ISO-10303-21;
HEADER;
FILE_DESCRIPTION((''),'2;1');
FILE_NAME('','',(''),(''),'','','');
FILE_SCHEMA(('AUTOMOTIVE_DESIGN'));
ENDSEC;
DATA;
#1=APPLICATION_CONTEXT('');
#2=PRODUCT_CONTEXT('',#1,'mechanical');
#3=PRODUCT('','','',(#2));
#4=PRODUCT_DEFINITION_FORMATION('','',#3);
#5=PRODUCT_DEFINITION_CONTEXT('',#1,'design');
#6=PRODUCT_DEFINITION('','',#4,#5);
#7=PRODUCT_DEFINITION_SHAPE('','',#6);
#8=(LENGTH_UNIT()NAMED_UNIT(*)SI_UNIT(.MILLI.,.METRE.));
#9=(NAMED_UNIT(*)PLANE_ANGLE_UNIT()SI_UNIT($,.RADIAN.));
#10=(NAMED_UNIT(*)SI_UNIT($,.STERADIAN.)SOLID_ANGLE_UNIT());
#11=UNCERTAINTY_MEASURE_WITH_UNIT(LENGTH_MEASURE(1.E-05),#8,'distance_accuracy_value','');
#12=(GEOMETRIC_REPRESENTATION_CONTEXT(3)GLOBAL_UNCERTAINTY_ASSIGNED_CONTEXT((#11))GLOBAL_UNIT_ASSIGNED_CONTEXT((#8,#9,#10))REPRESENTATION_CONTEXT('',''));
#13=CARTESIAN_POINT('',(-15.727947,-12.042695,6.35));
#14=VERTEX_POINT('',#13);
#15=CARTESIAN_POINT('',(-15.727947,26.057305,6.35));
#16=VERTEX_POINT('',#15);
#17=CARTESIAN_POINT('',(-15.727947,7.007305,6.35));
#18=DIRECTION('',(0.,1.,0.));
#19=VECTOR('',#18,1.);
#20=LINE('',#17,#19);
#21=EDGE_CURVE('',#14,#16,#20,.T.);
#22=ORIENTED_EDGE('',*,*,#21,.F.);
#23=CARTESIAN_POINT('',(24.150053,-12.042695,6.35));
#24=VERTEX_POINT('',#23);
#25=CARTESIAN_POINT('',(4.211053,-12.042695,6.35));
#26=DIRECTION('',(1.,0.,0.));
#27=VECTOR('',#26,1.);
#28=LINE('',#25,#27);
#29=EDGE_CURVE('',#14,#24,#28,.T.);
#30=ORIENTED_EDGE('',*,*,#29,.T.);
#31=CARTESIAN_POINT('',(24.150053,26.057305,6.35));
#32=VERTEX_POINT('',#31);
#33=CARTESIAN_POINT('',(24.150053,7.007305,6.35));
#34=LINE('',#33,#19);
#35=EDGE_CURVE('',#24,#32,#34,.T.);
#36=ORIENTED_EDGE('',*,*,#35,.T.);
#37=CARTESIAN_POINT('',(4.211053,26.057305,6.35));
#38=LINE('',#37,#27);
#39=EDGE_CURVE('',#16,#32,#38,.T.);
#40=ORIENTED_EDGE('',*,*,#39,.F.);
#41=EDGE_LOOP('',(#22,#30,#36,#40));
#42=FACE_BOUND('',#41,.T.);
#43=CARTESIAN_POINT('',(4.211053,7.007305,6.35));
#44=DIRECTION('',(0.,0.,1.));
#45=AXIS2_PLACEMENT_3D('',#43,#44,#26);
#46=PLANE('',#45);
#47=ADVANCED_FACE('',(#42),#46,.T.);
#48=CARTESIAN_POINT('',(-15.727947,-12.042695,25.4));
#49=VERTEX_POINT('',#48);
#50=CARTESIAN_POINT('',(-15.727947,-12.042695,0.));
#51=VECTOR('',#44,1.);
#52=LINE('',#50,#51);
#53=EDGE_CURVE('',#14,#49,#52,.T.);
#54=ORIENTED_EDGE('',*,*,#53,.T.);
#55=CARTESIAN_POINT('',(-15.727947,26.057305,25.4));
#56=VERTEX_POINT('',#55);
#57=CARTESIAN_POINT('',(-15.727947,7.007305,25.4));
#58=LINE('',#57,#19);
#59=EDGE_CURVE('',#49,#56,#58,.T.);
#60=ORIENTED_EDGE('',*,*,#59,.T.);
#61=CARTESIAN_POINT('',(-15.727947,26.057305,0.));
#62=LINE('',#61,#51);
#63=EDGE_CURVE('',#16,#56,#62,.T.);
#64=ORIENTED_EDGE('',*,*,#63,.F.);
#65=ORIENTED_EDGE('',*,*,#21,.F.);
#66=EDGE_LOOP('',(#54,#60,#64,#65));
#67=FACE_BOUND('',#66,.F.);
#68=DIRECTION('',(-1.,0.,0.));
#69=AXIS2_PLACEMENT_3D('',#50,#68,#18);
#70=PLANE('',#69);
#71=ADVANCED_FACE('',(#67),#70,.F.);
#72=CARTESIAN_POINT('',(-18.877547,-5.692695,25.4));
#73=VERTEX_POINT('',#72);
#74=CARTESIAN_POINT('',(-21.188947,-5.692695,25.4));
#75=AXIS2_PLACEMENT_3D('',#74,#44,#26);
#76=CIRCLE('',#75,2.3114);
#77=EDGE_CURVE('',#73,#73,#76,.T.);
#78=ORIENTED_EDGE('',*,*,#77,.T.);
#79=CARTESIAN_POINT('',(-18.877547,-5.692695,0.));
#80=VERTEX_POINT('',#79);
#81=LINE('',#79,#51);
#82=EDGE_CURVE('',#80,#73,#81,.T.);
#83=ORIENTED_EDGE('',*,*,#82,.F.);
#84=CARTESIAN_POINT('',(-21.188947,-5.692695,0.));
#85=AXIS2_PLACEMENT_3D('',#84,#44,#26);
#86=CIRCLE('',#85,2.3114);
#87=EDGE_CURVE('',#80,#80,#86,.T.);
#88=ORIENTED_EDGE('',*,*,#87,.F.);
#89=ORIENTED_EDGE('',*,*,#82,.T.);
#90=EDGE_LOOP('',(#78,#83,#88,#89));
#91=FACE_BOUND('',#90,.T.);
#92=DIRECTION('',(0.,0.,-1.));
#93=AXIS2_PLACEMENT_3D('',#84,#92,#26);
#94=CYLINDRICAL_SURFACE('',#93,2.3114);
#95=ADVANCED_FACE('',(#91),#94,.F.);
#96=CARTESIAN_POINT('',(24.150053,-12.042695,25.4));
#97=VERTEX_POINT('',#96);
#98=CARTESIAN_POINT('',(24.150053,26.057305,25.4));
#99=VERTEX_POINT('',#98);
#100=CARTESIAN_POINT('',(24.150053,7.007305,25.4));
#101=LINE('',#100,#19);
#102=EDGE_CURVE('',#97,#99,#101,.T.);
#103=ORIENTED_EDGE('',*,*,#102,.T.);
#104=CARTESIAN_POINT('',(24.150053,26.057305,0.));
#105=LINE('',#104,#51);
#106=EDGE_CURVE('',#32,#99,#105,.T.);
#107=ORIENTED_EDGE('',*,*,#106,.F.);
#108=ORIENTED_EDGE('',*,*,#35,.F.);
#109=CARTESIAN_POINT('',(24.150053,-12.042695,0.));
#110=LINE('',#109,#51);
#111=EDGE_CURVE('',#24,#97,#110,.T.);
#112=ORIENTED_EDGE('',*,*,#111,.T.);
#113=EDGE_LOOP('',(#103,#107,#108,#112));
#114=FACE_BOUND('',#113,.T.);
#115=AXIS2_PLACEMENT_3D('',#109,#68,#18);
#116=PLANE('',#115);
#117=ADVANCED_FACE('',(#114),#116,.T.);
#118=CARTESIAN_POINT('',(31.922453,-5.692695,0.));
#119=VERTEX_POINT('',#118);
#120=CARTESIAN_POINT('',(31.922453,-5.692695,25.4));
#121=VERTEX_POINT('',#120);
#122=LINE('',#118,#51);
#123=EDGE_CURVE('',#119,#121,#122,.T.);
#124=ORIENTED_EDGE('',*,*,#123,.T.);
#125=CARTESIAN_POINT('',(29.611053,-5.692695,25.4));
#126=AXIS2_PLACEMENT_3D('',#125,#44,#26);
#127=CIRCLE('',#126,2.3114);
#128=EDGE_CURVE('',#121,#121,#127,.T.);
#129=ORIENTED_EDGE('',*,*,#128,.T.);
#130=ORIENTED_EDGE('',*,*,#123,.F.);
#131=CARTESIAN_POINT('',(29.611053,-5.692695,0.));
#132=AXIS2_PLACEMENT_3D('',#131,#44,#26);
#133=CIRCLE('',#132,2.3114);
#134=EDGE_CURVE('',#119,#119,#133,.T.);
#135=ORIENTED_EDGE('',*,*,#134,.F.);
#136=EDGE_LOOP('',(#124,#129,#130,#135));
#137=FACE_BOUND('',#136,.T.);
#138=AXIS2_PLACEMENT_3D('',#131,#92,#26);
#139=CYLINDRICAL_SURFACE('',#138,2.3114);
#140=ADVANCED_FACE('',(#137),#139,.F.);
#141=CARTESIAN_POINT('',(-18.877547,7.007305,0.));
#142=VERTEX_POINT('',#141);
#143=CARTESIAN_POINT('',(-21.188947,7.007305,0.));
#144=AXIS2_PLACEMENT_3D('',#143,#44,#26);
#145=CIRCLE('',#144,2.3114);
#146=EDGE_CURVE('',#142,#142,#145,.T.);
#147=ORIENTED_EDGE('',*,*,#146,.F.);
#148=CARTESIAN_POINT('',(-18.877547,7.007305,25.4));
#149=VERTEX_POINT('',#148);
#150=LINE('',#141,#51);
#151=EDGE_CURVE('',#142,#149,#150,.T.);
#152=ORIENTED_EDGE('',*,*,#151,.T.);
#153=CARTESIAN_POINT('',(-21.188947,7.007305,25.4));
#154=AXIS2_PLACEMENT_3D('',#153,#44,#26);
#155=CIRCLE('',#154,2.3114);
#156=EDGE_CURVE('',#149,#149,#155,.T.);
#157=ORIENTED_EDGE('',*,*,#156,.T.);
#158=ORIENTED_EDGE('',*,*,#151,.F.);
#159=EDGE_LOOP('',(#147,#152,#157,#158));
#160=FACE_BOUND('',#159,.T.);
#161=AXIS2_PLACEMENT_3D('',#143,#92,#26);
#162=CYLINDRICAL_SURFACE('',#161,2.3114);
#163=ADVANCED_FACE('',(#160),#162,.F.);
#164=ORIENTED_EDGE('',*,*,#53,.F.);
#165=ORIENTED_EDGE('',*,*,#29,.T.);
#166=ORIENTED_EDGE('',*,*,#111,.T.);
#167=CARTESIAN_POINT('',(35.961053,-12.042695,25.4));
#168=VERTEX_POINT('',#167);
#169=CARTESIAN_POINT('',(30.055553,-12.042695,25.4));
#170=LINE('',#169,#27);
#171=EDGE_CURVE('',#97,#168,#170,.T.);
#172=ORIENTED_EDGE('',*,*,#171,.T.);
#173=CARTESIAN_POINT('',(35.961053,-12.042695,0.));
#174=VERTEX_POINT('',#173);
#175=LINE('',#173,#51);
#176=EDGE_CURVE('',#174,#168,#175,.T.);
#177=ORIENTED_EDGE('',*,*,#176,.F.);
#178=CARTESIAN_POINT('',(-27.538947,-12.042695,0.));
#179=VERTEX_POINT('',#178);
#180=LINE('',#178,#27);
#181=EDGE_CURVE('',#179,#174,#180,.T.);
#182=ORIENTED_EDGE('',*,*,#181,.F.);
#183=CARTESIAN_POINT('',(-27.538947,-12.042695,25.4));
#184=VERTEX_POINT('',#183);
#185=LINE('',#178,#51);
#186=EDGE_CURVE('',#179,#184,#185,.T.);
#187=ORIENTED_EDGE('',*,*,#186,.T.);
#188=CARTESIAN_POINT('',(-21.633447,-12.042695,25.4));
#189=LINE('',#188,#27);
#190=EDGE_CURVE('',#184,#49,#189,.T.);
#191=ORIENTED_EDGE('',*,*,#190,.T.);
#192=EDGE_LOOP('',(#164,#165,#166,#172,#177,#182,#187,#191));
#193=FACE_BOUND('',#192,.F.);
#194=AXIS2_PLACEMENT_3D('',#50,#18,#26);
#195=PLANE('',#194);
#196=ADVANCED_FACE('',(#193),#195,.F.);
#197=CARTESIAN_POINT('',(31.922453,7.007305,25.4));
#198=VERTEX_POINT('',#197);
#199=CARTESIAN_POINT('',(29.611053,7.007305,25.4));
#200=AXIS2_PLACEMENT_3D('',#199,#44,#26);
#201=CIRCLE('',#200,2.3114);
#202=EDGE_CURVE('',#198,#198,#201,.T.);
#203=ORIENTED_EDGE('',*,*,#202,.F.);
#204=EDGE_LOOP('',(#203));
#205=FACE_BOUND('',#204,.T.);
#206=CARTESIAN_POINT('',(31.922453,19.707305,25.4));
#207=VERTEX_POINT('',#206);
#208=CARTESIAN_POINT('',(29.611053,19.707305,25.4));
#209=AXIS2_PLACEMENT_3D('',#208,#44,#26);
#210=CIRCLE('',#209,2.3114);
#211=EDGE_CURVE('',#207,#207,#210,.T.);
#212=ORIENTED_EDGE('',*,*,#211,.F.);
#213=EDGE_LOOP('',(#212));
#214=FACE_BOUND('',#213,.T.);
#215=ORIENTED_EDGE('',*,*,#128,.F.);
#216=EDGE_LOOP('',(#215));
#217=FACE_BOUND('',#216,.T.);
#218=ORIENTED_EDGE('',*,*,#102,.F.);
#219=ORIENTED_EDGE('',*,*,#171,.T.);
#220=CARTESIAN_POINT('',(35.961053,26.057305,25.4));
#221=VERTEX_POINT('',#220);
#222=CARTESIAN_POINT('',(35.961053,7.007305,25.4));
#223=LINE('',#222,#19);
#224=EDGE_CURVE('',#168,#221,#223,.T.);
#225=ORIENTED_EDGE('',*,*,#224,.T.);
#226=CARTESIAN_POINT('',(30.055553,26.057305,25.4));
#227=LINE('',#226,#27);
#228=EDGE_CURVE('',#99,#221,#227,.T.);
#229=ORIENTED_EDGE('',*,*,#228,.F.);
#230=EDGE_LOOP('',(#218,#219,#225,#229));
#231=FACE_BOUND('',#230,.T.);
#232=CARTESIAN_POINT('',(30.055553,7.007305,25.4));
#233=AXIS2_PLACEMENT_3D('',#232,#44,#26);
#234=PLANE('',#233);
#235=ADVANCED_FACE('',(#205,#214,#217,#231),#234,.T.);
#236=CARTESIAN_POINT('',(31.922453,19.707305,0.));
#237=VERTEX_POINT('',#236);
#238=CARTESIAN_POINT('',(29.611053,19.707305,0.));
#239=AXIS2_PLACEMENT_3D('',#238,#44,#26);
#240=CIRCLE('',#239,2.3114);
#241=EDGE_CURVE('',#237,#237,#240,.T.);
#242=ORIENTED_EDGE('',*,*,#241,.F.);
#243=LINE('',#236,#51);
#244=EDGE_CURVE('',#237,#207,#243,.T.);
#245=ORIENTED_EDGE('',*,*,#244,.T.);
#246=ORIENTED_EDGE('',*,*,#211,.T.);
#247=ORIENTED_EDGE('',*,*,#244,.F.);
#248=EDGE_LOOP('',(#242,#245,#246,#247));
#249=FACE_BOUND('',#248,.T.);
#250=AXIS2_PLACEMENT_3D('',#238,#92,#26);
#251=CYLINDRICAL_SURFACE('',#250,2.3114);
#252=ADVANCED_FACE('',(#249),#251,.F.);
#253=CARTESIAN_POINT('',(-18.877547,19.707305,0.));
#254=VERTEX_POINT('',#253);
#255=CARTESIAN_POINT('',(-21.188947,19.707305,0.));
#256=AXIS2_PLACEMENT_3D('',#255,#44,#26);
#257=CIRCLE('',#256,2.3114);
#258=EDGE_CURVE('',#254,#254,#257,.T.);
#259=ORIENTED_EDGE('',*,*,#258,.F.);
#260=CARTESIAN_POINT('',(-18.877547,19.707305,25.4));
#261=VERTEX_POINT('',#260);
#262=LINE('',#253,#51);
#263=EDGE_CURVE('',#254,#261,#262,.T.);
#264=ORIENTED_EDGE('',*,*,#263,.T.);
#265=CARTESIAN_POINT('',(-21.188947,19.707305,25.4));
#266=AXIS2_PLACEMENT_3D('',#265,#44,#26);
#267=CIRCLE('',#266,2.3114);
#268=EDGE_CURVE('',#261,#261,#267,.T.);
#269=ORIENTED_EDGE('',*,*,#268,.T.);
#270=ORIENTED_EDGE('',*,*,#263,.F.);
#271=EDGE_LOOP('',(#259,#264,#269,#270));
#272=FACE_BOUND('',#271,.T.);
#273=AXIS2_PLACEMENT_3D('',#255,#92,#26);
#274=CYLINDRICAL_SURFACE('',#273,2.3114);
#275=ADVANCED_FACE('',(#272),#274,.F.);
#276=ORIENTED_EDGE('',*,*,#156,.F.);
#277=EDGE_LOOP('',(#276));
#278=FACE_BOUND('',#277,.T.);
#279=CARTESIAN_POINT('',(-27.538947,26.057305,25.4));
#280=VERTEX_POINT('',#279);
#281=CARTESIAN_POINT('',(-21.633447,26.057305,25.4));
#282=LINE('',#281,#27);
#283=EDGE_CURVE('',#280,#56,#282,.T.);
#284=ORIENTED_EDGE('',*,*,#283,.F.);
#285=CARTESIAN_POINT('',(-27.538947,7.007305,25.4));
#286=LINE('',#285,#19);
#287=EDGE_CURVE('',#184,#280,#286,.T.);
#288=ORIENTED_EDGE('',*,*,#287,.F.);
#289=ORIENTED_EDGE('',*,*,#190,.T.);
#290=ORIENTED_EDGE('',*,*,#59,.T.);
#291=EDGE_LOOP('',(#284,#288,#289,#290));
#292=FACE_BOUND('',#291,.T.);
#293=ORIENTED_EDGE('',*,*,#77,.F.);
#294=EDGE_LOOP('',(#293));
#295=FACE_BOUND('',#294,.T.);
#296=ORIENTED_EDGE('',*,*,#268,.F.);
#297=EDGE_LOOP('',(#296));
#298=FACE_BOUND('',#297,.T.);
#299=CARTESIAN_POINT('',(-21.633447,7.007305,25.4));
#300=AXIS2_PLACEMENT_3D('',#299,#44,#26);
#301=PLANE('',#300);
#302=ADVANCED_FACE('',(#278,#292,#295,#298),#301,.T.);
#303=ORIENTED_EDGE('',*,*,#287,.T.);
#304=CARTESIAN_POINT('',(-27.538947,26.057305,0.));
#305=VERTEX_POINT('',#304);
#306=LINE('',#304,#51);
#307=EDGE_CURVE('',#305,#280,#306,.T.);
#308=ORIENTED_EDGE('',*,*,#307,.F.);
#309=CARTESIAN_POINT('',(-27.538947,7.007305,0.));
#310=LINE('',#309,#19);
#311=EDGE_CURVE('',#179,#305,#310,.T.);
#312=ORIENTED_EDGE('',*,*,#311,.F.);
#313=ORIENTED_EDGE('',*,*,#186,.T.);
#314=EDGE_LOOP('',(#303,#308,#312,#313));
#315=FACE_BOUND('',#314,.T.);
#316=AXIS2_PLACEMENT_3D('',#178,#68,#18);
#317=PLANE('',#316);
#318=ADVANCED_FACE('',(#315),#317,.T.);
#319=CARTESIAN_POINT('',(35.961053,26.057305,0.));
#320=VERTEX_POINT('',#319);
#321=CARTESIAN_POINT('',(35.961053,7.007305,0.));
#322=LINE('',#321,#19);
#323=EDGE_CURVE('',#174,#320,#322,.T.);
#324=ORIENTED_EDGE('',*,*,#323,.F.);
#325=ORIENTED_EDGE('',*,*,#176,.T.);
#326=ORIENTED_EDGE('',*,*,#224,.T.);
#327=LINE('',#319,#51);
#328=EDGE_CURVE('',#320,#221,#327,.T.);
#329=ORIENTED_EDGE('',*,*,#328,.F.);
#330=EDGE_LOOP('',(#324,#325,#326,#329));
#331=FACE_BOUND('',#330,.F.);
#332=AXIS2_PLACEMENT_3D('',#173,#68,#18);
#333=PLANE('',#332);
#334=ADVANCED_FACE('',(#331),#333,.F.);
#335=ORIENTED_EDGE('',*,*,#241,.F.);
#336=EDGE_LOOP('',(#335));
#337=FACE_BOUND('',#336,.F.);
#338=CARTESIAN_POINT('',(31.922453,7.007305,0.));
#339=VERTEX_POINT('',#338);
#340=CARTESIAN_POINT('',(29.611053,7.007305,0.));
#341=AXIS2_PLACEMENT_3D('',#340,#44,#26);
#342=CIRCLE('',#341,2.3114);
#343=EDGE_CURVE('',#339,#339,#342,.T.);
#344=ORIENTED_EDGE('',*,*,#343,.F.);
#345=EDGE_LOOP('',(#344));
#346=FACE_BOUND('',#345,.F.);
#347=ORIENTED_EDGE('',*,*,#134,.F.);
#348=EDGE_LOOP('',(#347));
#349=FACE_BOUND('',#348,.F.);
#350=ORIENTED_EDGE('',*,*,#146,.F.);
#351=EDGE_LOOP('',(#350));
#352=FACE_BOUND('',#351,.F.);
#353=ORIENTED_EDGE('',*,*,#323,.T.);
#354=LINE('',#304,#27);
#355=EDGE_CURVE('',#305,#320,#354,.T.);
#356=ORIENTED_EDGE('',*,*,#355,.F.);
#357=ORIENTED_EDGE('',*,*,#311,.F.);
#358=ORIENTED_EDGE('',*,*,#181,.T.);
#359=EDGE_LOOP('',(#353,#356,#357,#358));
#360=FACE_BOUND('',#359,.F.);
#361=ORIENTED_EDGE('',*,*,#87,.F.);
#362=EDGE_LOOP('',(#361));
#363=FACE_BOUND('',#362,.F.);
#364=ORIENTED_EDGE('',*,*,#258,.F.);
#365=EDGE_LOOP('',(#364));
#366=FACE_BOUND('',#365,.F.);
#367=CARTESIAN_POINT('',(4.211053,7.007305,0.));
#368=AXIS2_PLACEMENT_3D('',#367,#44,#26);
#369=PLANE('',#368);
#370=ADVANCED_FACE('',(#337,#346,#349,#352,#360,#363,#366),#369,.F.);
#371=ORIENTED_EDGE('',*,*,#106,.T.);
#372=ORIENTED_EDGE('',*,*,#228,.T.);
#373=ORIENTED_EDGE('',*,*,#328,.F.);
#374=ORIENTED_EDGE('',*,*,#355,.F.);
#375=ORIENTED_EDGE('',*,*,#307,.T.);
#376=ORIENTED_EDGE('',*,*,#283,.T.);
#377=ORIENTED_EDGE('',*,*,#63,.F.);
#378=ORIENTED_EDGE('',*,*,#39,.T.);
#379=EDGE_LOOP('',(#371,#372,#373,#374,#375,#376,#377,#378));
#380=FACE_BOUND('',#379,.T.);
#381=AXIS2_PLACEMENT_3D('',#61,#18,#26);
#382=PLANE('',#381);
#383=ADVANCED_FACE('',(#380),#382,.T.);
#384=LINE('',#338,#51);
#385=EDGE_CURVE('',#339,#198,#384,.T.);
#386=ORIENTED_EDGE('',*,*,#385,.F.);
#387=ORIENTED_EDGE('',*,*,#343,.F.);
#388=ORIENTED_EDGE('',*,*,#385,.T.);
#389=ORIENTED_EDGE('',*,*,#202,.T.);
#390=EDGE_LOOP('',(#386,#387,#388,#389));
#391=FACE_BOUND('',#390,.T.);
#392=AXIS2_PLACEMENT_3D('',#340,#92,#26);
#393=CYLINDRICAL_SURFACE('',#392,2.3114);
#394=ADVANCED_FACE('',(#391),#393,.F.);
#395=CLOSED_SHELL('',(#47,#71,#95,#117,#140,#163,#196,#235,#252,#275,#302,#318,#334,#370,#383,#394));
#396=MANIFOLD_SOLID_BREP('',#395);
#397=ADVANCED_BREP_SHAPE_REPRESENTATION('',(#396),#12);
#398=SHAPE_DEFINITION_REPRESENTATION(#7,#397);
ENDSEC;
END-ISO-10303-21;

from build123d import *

# Parameters (mm, degrees)
F0_W     = 11.811
F0_H     = 38.1
F0_R     = 2.3114
F1_DEPTH = 25.4
F0_W_2   = 39.878
F2_DEPTH = 6.35


with BuildPart() as f1:
    # F0 (on Top) → F1 (new body)
    with BuildSketch(Plane.XY):
        with Locations((-21.633447, 7.007305)):
            Rectangle(F0_W, F0_H)
        with Locations((-21.188947, -5.692695)):
            Circle(F0_R, mode=Mode.SUBTRACT)
        with Locations((-21.188947, 7.007305)):
            Circle(F0_R, mode=Mode.SUBTRACT)
        with Locations((-21.188947, 19.707305)):
            Circle(F0_R, mode=Mode.SUBTRACT)
        with Locations((30.055553, 7.007305)):
            Rectangle(F0_W, F0_H)
        with Locations((29.611053, -5.692695)):
            Circle(F0_R, mode=Mode.SUBTRACT)
        with Locations((29.611053, 7.007305)):
            Circle(F0_R, mode=Mode.SUBTRACT)
        with Locations((29.611053, 19.707305)):
            Circle(F0_R, mode=Mode.SUBTRACT)
    extrude(amount=F1_DEPTH)

    # F0 (on Top) → F2 (join)
    with BuildSketch(Plane.XY):
        with Locations((4.211053, 7.007305)):
            Rectangle(F0_W_2, F0_H)
    extrude(amount=F2_DEPTH)


solid = f1.part
